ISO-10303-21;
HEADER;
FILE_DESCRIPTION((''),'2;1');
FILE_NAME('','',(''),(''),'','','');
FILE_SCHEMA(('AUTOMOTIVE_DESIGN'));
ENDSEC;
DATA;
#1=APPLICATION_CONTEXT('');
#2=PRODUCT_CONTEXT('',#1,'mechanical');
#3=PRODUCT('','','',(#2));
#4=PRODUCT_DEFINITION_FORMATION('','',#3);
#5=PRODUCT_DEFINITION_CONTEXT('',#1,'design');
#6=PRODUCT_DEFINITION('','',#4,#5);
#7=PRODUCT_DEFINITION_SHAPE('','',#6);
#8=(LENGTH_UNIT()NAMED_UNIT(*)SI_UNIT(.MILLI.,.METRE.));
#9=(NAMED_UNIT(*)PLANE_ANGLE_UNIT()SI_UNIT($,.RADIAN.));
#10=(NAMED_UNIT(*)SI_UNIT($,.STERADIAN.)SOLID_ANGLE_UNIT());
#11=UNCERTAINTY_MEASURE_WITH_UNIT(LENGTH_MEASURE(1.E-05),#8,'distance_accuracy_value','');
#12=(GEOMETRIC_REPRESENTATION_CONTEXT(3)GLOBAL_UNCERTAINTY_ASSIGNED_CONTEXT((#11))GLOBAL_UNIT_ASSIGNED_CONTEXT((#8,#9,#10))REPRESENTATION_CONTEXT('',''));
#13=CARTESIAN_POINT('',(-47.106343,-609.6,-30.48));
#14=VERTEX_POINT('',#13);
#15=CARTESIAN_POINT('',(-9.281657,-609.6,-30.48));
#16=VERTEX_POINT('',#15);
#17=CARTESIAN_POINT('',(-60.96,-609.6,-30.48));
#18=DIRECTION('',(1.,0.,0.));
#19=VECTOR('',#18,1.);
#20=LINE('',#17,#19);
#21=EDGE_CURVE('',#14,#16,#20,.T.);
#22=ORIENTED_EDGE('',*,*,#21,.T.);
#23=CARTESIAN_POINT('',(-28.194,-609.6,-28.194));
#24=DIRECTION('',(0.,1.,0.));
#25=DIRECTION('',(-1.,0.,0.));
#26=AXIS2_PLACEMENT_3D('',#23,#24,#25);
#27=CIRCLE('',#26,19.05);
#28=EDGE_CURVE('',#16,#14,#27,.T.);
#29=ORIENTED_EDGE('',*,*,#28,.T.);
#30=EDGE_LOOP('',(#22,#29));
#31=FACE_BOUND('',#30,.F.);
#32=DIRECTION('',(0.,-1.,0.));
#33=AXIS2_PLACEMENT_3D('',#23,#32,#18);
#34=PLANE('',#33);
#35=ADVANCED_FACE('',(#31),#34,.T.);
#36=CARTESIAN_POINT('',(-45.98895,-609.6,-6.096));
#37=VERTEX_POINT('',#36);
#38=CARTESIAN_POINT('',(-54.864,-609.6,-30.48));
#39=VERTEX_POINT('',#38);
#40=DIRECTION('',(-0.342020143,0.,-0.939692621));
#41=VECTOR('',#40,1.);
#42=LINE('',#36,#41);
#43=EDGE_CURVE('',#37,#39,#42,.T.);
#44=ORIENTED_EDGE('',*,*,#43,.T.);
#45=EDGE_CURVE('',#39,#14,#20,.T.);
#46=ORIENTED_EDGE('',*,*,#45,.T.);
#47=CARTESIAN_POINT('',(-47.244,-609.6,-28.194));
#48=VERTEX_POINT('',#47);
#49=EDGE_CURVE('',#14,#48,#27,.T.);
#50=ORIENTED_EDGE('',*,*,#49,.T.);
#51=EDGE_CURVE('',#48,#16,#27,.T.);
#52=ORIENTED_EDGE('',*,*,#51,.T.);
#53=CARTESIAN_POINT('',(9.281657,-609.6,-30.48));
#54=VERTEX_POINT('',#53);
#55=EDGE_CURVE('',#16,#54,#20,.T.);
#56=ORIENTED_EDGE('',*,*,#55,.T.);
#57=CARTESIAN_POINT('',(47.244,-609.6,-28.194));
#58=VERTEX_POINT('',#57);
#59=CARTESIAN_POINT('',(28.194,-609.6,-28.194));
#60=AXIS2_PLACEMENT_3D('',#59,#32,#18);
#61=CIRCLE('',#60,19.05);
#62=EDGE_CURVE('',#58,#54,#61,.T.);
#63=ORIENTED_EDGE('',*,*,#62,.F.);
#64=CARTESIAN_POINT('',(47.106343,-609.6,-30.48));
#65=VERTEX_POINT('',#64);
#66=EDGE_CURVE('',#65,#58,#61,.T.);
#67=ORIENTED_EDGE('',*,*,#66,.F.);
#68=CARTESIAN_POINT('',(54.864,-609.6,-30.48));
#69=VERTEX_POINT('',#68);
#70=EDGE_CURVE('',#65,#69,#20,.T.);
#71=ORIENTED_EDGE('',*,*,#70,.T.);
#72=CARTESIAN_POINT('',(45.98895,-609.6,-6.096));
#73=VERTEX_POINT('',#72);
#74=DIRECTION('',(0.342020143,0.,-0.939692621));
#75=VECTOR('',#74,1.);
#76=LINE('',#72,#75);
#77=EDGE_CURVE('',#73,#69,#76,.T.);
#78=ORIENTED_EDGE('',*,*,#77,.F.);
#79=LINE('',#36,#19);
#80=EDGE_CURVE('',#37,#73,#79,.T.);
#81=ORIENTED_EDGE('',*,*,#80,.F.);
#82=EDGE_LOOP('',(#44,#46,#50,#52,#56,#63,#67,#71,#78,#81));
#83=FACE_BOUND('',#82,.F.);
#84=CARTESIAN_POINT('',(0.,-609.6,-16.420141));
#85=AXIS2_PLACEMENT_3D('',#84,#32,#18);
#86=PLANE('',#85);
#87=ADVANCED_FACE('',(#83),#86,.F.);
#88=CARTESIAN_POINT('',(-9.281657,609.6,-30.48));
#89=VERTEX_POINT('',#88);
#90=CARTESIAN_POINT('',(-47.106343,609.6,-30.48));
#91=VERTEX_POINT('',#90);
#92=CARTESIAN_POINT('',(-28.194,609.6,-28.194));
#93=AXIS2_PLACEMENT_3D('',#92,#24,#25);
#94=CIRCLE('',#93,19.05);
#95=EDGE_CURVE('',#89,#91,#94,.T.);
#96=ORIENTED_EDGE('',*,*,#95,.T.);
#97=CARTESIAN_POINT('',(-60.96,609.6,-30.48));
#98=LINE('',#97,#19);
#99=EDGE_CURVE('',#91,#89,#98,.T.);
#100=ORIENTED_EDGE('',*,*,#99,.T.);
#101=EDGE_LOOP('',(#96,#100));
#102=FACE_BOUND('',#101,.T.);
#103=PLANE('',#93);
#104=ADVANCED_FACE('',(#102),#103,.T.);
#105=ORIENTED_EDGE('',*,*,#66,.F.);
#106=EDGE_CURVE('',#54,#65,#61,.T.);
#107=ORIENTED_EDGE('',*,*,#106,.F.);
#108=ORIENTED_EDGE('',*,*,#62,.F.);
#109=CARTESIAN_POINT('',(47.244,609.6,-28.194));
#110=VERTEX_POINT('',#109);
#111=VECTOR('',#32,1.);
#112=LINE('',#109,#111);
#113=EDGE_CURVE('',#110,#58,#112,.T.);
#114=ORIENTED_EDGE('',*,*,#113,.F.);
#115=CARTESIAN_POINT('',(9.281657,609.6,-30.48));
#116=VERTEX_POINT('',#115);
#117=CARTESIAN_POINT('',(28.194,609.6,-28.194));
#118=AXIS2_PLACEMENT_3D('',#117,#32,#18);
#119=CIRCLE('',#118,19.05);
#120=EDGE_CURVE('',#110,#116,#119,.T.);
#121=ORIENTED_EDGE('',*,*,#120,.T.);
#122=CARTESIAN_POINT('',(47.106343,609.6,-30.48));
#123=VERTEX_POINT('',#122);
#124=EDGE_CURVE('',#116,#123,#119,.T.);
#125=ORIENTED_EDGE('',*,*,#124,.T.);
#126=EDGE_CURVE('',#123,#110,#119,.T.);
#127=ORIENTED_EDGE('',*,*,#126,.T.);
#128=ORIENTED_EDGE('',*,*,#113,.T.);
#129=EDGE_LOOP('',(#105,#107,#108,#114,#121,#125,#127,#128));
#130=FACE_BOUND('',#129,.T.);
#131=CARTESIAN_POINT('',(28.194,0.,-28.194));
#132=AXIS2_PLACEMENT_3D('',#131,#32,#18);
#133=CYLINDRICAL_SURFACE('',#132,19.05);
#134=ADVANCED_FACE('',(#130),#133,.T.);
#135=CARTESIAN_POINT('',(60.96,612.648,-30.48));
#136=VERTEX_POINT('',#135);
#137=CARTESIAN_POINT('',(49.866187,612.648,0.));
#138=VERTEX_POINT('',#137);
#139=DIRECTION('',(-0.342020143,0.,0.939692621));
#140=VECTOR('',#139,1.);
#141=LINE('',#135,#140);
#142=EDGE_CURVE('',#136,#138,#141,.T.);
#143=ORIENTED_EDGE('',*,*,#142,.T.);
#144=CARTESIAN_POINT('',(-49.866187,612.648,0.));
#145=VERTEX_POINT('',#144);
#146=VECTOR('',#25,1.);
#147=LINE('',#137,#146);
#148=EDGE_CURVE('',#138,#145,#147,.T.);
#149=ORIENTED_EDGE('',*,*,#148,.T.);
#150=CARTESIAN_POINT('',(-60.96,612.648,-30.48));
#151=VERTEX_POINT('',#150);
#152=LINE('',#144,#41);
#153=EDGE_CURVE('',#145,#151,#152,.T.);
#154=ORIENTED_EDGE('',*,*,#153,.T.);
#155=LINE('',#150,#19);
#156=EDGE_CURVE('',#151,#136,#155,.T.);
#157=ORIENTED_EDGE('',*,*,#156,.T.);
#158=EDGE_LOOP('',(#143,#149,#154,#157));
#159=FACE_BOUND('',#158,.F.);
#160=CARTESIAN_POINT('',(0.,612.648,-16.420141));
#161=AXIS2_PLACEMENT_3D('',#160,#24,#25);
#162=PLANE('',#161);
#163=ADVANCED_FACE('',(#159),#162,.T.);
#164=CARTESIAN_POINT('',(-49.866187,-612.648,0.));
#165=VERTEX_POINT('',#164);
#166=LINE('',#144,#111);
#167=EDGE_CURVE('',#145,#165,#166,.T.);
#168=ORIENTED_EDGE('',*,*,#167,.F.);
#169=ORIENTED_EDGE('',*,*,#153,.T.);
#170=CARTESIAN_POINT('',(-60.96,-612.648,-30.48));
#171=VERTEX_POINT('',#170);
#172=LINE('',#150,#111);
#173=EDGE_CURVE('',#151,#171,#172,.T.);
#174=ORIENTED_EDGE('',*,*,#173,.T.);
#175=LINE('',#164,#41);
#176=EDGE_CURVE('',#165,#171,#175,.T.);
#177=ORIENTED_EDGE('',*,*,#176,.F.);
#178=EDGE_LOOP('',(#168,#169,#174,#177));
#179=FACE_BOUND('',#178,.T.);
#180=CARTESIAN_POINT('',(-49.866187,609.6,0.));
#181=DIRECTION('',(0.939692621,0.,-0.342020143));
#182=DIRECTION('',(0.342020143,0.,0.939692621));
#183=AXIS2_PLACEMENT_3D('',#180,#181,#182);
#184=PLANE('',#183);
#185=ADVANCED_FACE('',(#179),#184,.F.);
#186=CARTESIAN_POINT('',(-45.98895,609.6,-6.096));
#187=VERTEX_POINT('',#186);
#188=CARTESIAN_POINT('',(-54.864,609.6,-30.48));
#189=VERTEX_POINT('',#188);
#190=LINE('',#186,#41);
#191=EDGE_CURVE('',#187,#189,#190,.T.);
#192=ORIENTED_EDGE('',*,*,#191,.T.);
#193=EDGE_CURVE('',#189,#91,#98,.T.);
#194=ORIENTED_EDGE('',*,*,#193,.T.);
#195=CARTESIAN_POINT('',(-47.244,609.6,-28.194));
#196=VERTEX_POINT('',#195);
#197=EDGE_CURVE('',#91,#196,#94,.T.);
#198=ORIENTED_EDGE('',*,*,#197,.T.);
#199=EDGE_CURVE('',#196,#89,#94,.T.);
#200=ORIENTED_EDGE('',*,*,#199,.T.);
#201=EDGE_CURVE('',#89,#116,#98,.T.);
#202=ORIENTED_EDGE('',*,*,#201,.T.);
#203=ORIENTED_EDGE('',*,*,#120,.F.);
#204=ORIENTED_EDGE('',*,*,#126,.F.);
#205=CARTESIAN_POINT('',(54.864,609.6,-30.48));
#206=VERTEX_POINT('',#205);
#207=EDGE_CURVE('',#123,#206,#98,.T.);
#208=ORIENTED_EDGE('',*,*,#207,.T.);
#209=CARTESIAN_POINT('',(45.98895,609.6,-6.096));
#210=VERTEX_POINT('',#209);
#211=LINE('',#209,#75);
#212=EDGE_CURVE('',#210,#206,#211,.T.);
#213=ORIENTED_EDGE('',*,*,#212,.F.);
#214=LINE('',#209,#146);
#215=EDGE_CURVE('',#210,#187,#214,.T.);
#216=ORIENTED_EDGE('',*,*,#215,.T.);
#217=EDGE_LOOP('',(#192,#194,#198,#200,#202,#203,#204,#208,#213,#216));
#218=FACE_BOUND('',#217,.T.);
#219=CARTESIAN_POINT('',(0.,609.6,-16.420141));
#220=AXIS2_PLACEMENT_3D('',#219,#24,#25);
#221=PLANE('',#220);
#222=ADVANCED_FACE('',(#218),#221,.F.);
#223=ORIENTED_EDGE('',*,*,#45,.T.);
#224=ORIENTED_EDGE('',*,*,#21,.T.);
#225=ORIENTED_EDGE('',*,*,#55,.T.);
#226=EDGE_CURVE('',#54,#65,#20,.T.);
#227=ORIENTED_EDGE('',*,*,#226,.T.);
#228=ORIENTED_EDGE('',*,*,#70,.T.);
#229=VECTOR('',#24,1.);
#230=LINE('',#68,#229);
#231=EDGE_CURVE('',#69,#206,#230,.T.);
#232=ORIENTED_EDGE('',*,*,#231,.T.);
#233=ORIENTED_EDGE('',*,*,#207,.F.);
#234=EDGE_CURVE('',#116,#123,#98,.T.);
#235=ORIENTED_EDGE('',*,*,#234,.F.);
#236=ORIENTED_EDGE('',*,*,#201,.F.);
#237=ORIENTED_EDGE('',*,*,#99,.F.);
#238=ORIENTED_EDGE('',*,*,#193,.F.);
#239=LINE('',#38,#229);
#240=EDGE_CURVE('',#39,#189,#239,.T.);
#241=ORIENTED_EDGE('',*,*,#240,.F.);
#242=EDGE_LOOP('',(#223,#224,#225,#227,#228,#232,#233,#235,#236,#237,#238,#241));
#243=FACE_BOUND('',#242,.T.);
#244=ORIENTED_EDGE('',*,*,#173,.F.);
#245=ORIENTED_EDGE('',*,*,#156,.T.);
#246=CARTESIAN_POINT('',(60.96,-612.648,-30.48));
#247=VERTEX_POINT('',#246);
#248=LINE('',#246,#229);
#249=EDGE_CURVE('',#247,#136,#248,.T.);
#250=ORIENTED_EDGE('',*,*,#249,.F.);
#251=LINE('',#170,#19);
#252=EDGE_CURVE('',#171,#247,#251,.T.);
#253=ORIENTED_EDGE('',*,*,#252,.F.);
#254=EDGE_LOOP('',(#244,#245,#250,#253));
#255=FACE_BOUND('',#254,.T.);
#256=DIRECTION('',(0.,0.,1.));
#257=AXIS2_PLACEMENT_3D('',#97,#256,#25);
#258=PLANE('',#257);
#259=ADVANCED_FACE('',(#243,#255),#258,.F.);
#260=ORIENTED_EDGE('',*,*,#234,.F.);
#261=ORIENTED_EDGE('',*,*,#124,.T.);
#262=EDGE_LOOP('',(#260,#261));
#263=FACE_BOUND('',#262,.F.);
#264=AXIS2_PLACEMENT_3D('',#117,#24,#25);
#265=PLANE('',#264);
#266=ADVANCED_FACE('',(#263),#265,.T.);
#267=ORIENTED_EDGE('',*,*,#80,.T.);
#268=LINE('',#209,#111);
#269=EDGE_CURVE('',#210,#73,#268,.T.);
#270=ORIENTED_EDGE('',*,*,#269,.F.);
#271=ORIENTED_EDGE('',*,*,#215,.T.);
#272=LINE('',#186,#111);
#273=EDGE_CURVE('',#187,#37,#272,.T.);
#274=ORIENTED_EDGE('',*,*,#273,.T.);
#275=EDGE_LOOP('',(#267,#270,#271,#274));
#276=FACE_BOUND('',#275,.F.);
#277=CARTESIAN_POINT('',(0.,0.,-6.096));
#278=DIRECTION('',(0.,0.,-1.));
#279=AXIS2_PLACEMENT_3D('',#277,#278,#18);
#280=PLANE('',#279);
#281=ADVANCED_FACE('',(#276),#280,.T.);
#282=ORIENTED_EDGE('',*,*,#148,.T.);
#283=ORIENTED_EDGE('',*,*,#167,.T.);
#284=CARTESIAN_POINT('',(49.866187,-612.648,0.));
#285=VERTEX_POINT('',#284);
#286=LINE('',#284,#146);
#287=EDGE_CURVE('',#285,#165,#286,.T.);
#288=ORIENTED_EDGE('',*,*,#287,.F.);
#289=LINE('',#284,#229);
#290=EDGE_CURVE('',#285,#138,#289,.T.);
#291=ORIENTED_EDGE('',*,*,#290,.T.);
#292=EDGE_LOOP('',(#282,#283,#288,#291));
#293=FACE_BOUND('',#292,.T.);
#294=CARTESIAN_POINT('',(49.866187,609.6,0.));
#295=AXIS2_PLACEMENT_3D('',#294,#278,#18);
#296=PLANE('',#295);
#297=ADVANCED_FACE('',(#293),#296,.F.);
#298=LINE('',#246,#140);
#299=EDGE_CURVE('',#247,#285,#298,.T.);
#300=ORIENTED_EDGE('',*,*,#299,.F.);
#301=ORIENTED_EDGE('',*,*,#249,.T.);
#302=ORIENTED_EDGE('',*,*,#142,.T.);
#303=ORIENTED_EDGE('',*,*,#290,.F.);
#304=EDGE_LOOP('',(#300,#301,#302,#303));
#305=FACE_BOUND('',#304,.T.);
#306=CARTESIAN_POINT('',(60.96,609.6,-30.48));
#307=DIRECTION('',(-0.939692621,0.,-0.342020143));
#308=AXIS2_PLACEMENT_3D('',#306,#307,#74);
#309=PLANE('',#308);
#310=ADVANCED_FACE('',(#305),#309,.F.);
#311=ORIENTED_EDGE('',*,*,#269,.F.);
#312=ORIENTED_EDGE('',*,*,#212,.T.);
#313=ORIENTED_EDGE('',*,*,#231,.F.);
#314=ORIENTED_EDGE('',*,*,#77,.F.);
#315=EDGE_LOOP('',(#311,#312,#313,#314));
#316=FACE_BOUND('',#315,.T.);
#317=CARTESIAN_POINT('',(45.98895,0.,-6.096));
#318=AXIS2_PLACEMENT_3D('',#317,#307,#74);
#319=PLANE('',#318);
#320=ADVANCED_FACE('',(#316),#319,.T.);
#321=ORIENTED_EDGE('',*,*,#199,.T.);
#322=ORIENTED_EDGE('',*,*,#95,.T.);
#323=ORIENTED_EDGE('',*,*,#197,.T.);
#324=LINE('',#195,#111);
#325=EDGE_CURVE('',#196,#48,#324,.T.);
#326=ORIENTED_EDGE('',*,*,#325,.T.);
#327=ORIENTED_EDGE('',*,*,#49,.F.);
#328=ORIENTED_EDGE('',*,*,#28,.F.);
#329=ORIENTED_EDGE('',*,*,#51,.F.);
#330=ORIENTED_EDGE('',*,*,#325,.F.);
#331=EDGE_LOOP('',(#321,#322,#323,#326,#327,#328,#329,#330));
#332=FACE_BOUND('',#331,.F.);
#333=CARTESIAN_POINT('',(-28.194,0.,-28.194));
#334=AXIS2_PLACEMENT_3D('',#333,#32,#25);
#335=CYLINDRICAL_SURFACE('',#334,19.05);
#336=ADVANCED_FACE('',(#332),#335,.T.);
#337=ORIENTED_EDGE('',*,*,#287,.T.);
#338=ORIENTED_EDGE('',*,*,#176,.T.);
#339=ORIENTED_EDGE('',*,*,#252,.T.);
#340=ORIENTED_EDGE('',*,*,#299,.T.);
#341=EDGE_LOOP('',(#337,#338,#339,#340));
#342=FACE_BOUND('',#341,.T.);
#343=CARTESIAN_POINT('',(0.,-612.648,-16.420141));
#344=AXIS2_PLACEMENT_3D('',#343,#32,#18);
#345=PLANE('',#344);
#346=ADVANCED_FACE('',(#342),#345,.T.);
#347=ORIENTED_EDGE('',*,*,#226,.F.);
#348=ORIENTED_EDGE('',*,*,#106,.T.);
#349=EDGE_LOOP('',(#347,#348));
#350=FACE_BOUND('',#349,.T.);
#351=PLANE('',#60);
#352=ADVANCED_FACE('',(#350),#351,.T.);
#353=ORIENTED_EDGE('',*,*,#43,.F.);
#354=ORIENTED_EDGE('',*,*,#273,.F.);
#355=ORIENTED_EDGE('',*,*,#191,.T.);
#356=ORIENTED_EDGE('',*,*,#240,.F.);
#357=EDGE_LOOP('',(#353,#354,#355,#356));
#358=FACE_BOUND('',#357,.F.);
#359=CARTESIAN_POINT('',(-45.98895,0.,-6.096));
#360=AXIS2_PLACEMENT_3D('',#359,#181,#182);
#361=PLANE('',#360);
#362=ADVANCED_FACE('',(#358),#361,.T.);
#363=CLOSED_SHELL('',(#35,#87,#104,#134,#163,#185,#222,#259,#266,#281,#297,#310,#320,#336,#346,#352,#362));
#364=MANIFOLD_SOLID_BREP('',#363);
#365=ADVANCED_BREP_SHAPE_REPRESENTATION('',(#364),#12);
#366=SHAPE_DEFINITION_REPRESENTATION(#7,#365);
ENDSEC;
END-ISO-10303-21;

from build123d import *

# Parameters (mm, degrees)
F1_DEPTH = 609.6
F0_R     = 19.05
F4_DEPTH = 3.048


with BuildPart() as f1:
    # F0 (on Front) → F1 (new body, symmetric)
    with BuildSketch(Plane.XZ):
        Polygon((49.8661872596, 0), (0, 0), (0, -6.096), (45.9889498077, -6.096), (54.864, -30.48), (60.96, -30.48), align=None)
    extrude(amount=F1_DEPTH, both=True)



with BuildPart() as f1b:
    # F0 (on Front) → F1, piece 2 (new body, symmetric)
    with BuildSketch(Plane.XZ):
        with Locations((28.194, -28.194)):
            Circle(F0_R)
    extrude(amount=F1_DEPTH, both=True)


with BuildPart() as f1_1:
    add(f1.part)
    # F2: F1b, F1 across plane
    add(f1b.part.mirror(Plane.YZ))
    add(f1.part.mirror(Plane.YZ))


    add(f1b.part)  # F4 merges F1b
    # F3 (on face) → F4 (join)
    with BuildSketch(Plane.XZ.offset(609.6)):
        Polygon((49.8661872596, 0), (-49.8661872596, 0), (-60.96, -30.48), (60.96, -30.48), align=None)
    extrude(amount=F4_DEPTH)

    # F5: F1 across plane


with BuildPart() as f1_2:
    add(f1_1.part)
    add(f1_1.part.mirror(Plane.XZ))


solid = f1_2.part
